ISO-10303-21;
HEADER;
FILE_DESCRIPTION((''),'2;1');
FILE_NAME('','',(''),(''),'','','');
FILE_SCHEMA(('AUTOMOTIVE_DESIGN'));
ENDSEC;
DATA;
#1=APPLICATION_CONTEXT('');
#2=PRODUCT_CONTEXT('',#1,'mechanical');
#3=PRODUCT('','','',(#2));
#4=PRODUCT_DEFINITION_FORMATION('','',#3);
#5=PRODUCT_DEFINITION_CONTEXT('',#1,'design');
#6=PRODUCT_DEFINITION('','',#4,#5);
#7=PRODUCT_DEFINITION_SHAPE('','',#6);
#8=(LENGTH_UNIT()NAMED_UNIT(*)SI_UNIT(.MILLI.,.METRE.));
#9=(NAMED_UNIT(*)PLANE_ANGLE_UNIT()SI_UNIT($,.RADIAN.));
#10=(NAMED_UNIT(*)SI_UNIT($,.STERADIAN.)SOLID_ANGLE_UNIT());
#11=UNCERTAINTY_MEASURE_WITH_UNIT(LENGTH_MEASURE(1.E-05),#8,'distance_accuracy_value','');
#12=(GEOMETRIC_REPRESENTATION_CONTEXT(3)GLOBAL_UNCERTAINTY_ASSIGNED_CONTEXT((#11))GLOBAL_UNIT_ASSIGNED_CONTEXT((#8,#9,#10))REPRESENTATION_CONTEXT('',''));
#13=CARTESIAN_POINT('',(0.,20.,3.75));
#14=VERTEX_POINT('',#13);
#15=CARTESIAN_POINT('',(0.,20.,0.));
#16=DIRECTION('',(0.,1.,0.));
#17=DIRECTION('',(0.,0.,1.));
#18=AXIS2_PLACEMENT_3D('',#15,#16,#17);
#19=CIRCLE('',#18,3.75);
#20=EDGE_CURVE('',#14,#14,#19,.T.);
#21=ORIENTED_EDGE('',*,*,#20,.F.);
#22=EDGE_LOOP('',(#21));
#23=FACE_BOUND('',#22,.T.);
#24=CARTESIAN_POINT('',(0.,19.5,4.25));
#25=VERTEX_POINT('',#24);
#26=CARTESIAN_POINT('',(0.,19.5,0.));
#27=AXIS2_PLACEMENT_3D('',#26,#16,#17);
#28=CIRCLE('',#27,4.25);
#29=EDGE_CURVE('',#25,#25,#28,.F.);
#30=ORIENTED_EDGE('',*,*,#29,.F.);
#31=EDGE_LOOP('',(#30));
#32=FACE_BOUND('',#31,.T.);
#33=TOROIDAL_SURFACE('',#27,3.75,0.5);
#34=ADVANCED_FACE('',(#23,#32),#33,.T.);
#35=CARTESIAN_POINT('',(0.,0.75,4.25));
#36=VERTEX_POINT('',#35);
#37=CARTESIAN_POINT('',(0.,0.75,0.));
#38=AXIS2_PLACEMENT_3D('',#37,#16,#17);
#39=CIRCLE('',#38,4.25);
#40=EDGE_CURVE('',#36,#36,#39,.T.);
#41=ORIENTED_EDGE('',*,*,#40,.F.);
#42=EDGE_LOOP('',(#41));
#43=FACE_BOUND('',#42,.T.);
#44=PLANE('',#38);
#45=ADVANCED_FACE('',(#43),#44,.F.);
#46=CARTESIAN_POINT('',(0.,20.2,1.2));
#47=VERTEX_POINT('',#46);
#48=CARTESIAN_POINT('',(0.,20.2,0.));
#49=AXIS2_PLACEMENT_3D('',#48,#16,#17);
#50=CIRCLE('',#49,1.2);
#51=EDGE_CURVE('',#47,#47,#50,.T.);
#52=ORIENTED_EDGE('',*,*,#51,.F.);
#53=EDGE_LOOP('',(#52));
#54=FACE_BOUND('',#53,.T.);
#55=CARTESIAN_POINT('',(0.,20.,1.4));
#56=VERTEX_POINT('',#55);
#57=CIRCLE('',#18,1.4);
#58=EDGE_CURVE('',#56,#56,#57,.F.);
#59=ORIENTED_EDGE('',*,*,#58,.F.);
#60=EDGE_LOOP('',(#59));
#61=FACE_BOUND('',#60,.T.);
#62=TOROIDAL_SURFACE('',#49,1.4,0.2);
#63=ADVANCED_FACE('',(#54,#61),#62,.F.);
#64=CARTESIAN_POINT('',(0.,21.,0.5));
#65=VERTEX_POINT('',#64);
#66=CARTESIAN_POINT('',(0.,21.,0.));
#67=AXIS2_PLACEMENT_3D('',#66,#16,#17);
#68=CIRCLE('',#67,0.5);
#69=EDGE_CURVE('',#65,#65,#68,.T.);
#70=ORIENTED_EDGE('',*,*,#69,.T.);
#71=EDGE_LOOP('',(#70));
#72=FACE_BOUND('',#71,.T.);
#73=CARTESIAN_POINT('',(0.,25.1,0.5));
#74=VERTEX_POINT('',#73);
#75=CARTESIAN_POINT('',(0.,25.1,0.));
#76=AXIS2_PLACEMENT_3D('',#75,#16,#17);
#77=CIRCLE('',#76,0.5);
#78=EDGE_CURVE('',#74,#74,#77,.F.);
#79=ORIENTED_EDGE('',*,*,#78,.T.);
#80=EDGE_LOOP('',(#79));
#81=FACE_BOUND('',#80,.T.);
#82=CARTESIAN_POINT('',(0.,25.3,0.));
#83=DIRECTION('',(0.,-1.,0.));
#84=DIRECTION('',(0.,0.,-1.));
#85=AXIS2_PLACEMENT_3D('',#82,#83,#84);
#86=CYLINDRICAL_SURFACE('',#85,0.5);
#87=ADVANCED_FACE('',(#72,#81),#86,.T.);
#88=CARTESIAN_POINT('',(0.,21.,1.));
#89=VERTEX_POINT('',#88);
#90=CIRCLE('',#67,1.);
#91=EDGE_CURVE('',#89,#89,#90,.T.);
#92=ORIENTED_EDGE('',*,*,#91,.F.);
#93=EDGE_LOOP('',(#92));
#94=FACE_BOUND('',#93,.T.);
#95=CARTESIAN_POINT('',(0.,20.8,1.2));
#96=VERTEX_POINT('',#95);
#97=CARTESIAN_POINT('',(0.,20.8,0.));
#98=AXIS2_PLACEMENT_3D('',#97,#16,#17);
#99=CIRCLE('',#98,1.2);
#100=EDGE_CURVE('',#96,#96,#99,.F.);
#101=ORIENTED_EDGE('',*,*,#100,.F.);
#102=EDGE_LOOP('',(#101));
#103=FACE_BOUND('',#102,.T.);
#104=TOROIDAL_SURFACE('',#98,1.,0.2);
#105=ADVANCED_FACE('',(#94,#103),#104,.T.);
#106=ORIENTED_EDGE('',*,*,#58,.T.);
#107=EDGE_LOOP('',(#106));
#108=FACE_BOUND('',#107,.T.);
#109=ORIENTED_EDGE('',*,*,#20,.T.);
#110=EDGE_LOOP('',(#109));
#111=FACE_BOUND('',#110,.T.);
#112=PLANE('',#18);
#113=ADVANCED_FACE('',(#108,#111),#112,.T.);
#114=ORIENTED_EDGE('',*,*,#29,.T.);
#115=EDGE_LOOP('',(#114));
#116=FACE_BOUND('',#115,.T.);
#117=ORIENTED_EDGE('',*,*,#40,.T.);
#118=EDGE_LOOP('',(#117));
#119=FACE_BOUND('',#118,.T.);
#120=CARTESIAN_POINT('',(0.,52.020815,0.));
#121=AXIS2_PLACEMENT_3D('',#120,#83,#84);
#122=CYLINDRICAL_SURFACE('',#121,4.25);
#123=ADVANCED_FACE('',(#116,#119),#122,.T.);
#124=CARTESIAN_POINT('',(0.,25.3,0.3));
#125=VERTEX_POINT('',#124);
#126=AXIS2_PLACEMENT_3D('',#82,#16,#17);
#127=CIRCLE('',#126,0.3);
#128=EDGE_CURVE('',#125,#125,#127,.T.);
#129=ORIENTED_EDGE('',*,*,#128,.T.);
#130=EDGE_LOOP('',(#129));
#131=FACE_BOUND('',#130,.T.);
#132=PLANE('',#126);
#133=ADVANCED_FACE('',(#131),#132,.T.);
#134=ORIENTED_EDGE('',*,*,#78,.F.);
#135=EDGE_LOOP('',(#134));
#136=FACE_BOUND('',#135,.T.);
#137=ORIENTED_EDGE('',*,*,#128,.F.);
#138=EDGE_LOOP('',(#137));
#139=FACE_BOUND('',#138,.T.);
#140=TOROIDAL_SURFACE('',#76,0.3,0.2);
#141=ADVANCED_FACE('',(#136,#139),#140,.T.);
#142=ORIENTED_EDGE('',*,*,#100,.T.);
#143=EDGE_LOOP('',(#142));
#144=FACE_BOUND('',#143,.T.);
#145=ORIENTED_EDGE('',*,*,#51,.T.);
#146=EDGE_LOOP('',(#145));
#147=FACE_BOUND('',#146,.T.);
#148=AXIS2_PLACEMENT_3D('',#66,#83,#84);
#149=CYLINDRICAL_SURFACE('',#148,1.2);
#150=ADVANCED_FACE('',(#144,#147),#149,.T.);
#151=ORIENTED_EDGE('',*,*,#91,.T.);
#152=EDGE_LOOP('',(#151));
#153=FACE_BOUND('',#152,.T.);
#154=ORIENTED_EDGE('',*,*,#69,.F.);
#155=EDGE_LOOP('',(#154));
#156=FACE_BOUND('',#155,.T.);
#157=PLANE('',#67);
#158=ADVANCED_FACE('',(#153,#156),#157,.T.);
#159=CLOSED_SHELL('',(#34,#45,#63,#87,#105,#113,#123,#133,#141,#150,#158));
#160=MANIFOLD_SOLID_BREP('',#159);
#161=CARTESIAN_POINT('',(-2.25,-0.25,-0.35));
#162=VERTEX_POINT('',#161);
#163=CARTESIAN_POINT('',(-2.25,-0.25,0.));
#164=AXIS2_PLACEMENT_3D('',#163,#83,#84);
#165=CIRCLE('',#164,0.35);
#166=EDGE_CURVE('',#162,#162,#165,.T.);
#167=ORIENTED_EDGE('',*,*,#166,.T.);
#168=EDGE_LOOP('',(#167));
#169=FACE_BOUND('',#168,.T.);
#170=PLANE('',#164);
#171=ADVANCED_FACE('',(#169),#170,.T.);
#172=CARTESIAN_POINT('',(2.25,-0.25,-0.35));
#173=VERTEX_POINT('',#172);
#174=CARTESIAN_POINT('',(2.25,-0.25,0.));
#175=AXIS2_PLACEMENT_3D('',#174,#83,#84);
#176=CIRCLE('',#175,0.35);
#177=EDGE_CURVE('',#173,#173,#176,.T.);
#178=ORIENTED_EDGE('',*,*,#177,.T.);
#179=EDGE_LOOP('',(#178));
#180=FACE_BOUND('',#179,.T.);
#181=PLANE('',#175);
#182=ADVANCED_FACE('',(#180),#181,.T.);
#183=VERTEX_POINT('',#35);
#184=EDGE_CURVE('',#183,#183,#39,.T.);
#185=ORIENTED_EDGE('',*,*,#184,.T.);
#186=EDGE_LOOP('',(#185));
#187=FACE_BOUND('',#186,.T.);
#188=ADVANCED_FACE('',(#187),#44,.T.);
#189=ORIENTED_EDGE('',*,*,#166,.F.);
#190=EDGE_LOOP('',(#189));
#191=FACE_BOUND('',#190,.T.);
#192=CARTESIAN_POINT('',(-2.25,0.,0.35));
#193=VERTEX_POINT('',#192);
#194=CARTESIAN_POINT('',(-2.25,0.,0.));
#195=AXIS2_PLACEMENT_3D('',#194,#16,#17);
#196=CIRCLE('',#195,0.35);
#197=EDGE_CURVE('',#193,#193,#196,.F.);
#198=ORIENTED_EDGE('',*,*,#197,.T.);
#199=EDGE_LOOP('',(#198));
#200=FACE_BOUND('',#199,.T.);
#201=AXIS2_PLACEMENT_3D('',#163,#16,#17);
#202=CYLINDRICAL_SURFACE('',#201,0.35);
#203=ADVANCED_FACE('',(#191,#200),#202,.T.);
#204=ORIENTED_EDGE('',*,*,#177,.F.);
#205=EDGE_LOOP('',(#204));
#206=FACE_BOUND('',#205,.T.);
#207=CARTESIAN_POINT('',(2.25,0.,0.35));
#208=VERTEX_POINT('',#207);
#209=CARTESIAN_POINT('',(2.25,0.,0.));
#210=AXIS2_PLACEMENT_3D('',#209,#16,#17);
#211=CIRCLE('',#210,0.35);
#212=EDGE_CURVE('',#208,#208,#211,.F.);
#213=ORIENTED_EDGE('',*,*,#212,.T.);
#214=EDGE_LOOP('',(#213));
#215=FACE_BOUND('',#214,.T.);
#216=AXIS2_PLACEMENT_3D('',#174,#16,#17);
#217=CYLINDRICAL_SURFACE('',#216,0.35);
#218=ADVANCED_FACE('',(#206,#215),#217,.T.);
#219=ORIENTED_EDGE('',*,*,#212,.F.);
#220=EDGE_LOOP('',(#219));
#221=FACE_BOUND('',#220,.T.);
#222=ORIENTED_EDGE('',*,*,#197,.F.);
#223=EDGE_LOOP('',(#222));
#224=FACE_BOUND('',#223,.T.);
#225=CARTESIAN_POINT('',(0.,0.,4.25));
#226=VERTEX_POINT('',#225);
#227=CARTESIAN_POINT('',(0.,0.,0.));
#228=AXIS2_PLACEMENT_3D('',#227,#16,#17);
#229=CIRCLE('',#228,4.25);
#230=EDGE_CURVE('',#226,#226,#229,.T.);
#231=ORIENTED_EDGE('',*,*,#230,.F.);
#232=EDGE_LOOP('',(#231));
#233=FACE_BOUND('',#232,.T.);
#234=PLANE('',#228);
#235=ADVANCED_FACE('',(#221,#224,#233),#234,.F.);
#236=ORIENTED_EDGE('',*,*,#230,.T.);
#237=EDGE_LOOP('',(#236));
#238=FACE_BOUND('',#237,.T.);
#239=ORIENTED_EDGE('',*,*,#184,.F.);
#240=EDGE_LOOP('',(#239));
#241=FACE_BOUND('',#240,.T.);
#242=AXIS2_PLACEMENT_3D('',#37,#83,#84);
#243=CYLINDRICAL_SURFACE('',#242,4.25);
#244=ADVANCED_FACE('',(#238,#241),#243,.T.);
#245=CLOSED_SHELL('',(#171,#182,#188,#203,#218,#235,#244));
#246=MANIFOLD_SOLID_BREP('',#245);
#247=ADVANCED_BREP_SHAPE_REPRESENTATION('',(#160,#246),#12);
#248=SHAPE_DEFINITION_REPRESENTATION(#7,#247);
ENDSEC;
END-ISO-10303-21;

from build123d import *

# Parameters (mm, degrees)
SKETCH1_R           = 4.25
BOSS_EXTRUDE1_DEPTH = 0.75
SKETCH2_R           = 4.25
BOSS_EXTRUDE2_DEPTH = 19.25
SKETCH3_R           = 1.2
BOSS_EXTRUDE3_DEPTH = 1
SKETCH4_R           = 0.5
BOSS_EXTRUDE4_DEPTH = 4.3
FILLET1_R           = 0.5
FILLET2_R           = 0.2
SKETCH5_R           = 0.35
BOSS_EXTRUDE5_DEPTH = 0.25


with BuildPart() as part:
    # Sketch1 → Boss-Extrude1 (new body)
    with BuildSketch(Plane(origin=(0, 0, 0), x_dir=(1, 0, 0), z_dir=(0, 1, 0))):
        Circle(SKETCH1_R)
    extrude(amount=BOSS_EXTRUDE1_DEPTH)

    # Sketch5 → Boss-Extrude5 (add)
    with BuildSketch(Plane.XZ):
        with Locations((-2.25, 0)):
            Circle(SKETCH5_R)
        with Locations((2.25, 0)):
            Circle(SKETCH5_R)
    extrude(amount=BOSS_EXTRUDE5_DEPTH)


with BuildPart() as body_2:
    # Sketch2 → Boss-Extrude2 (new body)
    with BuildSketch(Plane(origin=(0, 0.75, 0), x_dir=(1, 0, 0), z_dir=(0, 1, 0))):
        Circle(SKETCH2_R)
    extrude(amount=BOSS_EXTRUDE2_DEPTH)

    # Sketch3 → Boss-Extrude3 (add)
    with BuildSketch(Plane(origin=(0, 20, 0), x_dir=(1, 0, 0), z_dir=(0, 1, 0))):
        Circle(SKETCH3_R)
    extrude(amount=BOSS_EXTRUDE3_DEPTH)

    # Sketch4 → Boss-Extrude4 (add)
    with BuildSketch(Plane(origin=(0, 21, 0), x_dir=(1, 0, 0), z_dir=(0, 1, 0))):
        Circle(SKETCH4_R)
    extrude(amount=BOSS_EXTRUDE4_DEPTH)

    # Fillet1
    fillet1_edges = [body_2.edges().sort_by_distance(p)[0] for p in [
        (-4.25, 20, 0),
    ]]
    fillet(fillet1_edges, radius=FILLET1_R)

    # Fillet2
    fillet2_edges = [body_2.edges().sort_by_distance(p)[0] for p in [
        (-1.2, 20, 0),
        (-1.2, 21, 0),
        (-0.5, 25.3, 0),
    ]]
    fillet(fillet2_edges, radius=FILLET2_R)


solid = Compound([part.part, body_2.part])
